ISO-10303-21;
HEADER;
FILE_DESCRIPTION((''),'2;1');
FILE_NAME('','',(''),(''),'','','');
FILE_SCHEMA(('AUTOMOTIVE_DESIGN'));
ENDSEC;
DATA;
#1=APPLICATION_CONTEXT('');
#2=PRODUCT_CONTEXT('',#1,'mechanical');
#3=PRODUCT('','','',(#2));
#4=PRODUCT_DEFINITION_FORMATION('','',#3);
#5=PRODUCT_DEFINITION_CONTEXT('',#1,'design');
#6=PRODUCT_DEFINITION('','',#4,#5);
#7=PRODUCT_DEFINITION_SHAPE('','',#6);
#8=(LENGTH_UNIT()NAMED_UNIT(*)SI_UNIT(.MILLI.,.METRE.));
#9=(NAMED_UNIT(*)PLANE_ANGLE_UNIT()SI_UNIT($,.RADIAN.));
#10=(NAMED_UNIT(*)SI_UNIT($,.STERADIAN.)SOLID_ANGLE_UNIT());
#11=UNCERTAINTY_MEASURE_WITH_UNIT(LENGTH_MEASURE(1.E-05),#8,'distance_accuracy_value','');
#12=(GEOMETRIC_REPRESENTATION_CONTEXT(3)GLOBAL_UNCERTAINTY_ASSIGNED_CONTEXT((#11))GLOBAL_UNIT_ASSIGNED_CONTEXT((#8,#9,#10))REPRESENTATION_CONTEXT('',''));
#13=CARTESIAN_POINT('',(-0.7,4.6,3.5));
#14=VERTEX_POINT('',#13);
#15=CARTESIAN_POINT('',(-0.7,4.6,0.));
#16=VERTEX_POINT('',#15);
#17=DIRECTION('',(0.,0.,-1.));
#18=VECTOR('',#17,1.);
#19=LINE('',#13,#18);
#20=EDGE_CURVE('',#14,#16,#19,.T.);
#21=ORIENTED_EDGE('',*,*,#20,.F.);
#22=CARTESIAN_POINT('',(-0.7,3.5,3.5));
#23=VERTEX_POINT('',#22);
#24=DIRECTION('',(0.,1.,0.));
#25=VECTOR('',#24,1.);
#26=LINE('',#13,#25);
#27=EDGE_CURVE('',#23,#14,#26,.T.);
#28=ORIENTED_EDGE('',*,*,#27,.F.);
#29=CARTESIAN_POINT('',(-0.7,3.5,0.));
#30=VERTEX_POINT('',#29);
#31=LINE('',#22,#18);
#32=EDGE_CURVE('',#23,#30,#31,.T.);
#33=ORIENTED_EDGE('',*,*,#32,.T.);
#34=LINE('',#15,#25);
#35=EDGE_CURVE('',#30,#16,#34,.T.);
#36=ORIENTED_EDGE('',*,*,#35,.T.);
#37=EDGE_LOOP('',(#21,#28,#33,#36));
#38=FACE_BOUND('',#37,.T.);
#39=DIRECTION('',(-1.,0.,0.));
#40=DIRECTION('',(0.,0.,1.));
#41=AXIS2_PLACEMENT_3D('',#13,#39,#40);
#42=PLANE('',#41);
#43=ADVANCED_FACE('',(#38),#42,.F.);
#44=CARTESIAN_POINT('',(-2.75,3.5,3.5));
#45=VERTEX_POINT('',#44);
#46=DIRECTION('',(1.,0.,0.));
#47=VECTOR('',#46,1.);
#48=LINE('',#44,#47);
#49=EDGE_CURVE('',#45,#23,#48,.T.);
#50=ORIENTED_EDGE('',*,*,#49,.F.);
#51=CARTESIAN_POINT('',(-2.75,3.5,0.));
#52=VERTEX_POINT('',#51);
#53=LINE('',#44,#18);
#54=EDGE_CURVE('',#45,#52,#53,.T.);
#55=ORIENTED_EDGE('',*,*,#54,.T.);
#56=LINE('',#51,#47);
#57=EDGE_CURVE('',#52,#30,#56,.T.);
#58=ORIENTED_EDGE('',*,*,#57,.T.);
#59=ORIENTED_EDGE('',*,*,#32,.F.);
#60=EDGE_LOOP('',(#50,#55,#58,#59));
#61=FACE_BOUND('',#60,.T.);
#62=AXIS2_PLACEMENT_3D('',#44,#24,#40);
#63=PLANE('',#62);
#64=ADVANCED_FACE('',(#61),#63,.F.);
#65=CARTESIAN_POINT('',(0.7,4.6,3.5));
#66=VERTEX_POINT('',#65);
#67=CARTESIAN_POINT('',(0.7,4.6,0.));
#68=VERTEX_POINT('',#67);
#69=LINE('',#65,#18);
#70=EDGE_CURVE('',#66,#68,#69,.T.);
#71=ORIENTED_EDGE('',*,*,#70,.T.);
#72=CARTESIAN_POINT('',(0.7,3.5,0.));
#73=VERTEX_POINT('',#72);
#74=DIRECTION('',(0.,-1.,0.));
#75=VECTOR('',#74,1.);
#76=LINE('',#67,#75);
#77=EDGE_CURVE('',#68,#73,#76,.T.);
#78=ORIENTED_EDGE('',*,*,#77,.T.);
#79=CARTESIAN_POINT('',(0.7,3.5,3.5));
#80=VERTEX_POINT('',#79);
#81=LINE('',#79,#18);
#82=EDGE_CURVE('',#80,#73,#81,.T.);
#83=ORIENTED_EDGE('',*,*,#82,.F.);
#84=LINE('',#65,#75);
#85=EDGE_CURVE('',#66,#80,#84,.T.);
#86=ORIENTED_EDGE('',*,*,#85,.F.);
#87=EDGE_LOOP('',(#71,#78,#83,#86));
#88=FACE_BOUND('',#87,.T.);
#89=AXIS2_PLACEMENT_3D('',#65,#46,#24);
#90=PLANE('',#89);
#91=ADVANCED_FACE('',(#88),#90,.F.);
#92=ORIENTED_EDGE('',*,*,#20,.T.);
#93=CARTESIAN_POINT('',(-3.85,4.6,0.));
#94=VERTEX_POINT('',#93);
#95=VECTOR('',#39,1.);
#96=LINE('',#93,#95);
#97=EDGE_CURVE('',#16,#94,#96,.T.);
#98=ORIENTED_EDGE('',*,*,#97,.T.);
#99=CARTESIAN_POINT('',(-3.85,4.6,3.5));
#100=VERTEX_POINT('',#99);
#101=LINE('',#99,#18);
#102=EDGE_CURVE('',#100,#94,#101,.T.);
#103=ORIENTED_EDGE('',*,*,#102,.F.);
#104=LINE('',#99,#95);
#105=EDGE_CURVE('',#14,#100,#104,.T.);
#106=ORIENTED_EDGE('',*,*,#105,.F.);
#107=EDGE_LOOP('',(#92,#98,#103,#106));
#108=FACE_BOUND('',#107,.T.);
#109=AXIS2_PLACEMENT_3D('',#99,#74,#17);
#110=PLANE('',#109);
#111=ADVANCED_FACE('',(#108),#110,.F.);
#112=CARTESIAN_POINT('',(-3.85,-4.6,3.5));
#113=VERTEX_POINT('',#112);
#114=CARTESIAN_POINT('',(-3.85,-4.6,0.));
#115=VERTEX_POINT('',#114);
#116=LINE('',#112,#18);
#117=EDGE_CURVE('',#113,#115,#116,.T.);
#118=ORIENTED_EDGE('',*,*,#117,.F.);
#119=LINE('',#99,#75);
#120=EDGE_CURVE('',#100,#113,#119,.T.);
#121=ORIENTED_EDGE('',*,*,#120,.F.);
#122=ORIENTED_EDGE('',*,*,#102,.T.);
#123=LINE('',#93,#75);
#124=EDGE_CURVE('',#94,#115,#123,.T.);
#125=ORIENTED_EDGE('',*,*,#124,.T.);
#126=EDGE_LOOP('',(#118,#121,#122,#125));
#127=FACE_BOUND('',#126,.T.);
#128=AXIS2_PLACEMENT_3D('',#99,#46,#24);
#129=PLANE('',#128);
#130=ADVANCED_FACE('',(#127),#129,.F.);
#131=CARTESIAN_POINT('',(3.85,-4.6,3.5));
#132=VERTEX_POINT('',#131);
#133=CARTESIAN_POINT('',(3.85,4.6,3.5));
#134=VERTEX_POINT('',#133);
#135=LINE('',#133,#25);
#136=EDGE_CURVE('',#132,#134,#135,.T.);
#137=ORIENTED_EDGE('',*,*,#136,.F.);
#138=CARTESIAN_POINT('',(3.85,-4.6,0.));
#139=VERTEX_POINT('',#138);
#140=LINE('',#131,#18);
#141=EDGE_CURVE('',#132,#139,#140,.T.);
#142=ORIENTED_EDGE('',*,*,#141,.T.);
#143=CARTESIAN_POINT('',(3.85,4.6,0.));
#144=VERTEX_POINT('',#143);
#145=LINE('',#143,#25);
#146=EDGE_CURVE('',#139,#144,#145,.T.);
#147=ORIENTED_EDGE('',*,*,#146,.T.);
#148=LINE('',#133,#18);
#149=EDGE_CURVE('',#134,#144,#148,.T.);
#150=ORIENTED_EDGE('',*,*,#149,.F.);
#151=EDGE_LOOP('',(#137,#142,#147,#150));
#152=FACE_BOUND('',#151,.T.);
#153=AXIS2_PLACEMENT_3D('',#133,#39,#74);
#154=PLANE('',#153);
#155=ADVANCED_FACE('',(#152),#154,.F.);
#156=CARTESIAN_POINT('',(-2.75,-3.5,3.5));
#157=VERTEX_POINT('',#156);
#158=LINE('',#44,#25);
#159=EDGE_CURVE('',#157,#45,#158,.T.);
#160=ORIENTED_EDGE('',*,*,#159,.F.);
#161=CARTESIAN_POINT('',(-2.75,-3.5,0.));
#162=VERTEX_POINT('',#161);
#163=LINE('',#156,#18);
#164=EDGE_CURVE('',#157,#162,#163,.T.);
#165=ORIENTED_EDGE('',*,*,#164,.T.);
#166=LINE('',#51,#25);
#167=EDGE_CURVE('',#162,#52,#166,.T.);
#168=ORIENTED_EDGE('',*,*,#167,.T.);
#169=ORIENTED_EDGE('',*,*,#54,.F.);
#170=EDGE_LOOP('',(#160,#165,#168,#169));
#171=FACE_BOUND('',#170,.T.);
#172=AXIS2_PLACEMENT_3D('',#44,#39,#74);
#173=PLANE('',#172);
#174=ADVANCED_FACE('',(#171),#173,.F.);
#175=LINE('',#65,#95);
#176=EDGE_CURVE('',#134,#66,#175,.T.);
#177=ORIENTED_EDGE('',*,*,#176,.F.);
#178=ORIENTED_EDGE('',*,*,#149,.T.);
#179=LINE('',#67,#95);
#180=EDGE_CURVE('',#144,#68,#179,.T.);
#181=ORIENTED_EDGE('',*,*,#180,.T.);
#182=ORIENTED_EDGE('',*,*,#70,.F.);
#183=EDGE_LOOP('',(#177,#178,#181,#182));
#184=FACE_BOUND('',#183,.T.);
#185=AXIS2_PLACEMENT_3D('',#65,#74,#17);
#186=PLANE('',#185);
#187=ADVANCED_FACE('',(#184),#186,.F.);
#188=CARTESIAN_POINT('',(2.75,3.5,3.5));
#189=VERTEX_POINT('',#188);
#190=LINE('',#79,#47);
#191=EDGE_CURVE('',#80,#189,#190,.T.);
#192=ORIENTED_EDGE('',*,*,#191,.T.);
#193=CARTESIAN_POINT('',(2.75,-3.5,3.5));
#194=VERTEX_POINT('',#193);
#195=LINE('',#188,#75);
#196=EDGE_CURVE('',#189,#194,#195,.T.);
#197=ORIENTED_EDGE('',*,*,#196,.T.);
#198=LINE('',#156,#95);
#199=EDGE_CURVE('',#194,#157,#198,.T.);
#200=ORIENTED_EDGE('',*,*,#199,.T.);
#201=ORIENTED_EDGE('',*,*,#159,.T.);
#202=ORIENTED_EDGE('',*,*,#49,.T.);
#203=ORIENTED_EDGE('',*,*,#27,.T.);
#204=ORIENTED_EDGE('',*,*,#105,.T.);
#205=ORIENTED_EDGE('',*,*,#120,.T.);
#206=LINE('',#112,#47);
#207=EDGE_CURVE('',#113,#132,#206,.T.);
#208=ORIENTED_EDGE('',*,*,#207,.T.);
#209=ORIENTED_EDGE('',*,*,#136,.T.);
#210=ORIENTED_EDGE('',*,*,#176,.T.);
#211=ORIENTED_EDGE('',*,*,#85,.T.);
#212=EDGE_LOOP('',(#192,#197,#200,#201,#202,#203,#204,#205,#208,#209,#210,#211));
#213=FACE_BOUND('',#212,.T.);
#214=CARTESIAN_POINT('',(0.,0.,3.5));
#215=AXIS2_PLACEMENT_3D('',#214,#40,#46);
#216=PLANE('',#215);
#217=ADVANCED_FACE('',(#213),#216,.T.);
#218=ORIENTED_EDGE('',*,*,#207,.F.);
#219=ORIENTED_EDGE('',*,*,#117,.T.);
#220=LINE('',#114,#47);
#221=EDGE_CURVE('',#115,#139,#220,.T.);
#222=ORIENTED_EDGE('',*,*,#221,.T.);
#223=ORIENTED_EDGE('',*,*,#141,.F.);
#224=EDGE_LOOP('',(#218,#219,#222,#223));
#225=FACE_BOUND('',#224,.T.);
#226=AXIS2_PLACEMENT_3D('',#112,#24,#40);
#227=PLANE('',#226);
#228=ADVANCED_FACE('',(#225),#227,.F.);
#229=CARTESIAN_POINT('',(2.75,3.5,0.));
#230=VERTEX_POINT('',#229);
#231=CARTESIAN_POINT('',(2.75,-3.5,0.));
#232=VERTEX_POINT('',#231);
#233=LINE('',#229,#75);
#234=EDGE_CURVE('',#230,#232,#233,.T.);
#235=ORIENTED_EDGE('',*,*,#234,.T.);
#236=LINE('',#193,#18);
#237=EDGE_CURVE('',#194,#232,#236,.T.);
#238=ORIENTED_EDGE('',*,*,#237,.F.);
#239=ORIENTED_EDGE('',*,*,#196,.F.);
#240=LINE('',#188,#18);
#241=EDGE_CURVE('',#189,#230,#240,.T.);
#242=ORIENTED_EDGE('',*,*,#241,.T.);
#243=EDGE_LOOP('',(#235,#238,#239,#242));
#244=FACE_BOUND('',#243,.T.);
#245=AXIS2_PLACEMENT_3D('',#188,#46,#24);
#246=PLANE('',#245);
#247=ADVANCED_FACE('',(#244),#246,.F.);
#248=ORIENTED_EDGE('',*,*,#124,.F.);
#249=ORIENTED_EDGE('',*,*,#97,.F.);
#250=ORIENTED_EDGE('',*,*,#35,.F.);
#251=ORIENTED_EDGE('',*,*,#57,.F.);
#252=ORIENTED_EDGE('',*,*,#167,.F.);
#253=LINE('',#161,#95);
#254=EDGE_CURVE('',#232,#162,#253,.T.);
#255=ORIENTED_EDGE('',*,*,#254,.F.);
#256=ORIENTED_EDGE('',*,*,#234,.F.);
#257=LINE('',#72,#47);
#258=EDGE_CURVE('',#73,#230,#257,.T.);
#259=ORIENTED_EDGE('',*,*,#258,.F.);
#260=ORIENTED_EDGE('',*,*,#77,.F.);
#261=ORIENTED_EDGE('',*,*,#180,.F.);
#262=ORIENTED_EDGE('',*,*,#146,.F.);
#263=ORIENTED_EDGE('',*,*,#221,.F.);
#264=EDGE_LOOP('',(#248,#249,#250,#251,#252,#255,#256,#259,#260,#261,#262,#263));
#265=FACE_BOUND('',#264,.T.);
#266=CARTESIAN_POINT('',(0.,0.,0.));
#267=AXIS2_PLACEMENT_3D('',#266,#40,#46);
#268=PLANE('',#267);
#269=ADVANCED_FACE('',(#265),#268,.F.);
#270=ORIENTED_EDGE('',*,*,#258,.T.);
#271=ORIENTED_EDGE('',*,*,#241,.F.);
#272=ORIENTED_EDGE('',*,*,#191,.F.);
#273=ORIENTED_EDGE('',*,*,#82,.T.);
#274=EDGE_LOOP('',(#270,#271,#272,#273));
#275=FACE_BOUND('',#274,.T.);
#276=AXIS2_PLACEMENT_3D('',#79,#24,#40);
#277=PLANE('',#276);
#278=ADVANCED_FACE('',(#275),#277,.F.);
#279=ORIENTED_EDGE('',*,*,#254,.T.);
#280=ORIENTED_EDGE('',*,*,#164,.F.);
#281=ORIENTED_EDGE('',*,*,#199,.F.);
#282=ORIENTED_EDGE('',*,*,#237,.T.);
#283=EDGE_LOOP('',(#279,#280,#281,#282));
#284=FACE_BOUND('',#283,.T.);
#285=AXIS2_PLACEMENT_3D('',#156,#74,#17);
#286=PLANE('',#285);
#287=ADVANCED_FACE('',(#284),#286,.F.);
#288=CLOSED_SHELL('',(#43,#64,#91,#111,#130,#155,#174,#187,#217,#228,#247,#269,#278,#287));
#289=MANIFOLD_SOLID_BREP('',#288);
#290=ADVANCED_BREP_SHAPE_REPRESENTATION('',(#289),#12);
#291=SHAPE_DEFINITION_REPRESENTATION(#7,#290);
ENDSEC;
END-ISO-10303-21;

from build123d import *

# Parameters (mm, degrees)
EXTRUDE_1_DEPTH = 3.5


with BuildPart() as part:
    # 스케치1 → 보스-돌출1 (new body)
    with BuildSketch(Plane.XY):
        Polygon((0.7, 3.5), (2.75, 3.5), (2.75, -3.5), (-2.75, -3.5), (-2.75, 3.5), (-0.7, 3.5), (-0.7, 4.6), (-3.85, 4.6), (-3.85, -4.6), (3.85, -4.6), (3.85, 4.6), (0.7, 4.6), align=None)
    extrude(amount=EXTRUDE_1_DEPTH)


solid = part.part
